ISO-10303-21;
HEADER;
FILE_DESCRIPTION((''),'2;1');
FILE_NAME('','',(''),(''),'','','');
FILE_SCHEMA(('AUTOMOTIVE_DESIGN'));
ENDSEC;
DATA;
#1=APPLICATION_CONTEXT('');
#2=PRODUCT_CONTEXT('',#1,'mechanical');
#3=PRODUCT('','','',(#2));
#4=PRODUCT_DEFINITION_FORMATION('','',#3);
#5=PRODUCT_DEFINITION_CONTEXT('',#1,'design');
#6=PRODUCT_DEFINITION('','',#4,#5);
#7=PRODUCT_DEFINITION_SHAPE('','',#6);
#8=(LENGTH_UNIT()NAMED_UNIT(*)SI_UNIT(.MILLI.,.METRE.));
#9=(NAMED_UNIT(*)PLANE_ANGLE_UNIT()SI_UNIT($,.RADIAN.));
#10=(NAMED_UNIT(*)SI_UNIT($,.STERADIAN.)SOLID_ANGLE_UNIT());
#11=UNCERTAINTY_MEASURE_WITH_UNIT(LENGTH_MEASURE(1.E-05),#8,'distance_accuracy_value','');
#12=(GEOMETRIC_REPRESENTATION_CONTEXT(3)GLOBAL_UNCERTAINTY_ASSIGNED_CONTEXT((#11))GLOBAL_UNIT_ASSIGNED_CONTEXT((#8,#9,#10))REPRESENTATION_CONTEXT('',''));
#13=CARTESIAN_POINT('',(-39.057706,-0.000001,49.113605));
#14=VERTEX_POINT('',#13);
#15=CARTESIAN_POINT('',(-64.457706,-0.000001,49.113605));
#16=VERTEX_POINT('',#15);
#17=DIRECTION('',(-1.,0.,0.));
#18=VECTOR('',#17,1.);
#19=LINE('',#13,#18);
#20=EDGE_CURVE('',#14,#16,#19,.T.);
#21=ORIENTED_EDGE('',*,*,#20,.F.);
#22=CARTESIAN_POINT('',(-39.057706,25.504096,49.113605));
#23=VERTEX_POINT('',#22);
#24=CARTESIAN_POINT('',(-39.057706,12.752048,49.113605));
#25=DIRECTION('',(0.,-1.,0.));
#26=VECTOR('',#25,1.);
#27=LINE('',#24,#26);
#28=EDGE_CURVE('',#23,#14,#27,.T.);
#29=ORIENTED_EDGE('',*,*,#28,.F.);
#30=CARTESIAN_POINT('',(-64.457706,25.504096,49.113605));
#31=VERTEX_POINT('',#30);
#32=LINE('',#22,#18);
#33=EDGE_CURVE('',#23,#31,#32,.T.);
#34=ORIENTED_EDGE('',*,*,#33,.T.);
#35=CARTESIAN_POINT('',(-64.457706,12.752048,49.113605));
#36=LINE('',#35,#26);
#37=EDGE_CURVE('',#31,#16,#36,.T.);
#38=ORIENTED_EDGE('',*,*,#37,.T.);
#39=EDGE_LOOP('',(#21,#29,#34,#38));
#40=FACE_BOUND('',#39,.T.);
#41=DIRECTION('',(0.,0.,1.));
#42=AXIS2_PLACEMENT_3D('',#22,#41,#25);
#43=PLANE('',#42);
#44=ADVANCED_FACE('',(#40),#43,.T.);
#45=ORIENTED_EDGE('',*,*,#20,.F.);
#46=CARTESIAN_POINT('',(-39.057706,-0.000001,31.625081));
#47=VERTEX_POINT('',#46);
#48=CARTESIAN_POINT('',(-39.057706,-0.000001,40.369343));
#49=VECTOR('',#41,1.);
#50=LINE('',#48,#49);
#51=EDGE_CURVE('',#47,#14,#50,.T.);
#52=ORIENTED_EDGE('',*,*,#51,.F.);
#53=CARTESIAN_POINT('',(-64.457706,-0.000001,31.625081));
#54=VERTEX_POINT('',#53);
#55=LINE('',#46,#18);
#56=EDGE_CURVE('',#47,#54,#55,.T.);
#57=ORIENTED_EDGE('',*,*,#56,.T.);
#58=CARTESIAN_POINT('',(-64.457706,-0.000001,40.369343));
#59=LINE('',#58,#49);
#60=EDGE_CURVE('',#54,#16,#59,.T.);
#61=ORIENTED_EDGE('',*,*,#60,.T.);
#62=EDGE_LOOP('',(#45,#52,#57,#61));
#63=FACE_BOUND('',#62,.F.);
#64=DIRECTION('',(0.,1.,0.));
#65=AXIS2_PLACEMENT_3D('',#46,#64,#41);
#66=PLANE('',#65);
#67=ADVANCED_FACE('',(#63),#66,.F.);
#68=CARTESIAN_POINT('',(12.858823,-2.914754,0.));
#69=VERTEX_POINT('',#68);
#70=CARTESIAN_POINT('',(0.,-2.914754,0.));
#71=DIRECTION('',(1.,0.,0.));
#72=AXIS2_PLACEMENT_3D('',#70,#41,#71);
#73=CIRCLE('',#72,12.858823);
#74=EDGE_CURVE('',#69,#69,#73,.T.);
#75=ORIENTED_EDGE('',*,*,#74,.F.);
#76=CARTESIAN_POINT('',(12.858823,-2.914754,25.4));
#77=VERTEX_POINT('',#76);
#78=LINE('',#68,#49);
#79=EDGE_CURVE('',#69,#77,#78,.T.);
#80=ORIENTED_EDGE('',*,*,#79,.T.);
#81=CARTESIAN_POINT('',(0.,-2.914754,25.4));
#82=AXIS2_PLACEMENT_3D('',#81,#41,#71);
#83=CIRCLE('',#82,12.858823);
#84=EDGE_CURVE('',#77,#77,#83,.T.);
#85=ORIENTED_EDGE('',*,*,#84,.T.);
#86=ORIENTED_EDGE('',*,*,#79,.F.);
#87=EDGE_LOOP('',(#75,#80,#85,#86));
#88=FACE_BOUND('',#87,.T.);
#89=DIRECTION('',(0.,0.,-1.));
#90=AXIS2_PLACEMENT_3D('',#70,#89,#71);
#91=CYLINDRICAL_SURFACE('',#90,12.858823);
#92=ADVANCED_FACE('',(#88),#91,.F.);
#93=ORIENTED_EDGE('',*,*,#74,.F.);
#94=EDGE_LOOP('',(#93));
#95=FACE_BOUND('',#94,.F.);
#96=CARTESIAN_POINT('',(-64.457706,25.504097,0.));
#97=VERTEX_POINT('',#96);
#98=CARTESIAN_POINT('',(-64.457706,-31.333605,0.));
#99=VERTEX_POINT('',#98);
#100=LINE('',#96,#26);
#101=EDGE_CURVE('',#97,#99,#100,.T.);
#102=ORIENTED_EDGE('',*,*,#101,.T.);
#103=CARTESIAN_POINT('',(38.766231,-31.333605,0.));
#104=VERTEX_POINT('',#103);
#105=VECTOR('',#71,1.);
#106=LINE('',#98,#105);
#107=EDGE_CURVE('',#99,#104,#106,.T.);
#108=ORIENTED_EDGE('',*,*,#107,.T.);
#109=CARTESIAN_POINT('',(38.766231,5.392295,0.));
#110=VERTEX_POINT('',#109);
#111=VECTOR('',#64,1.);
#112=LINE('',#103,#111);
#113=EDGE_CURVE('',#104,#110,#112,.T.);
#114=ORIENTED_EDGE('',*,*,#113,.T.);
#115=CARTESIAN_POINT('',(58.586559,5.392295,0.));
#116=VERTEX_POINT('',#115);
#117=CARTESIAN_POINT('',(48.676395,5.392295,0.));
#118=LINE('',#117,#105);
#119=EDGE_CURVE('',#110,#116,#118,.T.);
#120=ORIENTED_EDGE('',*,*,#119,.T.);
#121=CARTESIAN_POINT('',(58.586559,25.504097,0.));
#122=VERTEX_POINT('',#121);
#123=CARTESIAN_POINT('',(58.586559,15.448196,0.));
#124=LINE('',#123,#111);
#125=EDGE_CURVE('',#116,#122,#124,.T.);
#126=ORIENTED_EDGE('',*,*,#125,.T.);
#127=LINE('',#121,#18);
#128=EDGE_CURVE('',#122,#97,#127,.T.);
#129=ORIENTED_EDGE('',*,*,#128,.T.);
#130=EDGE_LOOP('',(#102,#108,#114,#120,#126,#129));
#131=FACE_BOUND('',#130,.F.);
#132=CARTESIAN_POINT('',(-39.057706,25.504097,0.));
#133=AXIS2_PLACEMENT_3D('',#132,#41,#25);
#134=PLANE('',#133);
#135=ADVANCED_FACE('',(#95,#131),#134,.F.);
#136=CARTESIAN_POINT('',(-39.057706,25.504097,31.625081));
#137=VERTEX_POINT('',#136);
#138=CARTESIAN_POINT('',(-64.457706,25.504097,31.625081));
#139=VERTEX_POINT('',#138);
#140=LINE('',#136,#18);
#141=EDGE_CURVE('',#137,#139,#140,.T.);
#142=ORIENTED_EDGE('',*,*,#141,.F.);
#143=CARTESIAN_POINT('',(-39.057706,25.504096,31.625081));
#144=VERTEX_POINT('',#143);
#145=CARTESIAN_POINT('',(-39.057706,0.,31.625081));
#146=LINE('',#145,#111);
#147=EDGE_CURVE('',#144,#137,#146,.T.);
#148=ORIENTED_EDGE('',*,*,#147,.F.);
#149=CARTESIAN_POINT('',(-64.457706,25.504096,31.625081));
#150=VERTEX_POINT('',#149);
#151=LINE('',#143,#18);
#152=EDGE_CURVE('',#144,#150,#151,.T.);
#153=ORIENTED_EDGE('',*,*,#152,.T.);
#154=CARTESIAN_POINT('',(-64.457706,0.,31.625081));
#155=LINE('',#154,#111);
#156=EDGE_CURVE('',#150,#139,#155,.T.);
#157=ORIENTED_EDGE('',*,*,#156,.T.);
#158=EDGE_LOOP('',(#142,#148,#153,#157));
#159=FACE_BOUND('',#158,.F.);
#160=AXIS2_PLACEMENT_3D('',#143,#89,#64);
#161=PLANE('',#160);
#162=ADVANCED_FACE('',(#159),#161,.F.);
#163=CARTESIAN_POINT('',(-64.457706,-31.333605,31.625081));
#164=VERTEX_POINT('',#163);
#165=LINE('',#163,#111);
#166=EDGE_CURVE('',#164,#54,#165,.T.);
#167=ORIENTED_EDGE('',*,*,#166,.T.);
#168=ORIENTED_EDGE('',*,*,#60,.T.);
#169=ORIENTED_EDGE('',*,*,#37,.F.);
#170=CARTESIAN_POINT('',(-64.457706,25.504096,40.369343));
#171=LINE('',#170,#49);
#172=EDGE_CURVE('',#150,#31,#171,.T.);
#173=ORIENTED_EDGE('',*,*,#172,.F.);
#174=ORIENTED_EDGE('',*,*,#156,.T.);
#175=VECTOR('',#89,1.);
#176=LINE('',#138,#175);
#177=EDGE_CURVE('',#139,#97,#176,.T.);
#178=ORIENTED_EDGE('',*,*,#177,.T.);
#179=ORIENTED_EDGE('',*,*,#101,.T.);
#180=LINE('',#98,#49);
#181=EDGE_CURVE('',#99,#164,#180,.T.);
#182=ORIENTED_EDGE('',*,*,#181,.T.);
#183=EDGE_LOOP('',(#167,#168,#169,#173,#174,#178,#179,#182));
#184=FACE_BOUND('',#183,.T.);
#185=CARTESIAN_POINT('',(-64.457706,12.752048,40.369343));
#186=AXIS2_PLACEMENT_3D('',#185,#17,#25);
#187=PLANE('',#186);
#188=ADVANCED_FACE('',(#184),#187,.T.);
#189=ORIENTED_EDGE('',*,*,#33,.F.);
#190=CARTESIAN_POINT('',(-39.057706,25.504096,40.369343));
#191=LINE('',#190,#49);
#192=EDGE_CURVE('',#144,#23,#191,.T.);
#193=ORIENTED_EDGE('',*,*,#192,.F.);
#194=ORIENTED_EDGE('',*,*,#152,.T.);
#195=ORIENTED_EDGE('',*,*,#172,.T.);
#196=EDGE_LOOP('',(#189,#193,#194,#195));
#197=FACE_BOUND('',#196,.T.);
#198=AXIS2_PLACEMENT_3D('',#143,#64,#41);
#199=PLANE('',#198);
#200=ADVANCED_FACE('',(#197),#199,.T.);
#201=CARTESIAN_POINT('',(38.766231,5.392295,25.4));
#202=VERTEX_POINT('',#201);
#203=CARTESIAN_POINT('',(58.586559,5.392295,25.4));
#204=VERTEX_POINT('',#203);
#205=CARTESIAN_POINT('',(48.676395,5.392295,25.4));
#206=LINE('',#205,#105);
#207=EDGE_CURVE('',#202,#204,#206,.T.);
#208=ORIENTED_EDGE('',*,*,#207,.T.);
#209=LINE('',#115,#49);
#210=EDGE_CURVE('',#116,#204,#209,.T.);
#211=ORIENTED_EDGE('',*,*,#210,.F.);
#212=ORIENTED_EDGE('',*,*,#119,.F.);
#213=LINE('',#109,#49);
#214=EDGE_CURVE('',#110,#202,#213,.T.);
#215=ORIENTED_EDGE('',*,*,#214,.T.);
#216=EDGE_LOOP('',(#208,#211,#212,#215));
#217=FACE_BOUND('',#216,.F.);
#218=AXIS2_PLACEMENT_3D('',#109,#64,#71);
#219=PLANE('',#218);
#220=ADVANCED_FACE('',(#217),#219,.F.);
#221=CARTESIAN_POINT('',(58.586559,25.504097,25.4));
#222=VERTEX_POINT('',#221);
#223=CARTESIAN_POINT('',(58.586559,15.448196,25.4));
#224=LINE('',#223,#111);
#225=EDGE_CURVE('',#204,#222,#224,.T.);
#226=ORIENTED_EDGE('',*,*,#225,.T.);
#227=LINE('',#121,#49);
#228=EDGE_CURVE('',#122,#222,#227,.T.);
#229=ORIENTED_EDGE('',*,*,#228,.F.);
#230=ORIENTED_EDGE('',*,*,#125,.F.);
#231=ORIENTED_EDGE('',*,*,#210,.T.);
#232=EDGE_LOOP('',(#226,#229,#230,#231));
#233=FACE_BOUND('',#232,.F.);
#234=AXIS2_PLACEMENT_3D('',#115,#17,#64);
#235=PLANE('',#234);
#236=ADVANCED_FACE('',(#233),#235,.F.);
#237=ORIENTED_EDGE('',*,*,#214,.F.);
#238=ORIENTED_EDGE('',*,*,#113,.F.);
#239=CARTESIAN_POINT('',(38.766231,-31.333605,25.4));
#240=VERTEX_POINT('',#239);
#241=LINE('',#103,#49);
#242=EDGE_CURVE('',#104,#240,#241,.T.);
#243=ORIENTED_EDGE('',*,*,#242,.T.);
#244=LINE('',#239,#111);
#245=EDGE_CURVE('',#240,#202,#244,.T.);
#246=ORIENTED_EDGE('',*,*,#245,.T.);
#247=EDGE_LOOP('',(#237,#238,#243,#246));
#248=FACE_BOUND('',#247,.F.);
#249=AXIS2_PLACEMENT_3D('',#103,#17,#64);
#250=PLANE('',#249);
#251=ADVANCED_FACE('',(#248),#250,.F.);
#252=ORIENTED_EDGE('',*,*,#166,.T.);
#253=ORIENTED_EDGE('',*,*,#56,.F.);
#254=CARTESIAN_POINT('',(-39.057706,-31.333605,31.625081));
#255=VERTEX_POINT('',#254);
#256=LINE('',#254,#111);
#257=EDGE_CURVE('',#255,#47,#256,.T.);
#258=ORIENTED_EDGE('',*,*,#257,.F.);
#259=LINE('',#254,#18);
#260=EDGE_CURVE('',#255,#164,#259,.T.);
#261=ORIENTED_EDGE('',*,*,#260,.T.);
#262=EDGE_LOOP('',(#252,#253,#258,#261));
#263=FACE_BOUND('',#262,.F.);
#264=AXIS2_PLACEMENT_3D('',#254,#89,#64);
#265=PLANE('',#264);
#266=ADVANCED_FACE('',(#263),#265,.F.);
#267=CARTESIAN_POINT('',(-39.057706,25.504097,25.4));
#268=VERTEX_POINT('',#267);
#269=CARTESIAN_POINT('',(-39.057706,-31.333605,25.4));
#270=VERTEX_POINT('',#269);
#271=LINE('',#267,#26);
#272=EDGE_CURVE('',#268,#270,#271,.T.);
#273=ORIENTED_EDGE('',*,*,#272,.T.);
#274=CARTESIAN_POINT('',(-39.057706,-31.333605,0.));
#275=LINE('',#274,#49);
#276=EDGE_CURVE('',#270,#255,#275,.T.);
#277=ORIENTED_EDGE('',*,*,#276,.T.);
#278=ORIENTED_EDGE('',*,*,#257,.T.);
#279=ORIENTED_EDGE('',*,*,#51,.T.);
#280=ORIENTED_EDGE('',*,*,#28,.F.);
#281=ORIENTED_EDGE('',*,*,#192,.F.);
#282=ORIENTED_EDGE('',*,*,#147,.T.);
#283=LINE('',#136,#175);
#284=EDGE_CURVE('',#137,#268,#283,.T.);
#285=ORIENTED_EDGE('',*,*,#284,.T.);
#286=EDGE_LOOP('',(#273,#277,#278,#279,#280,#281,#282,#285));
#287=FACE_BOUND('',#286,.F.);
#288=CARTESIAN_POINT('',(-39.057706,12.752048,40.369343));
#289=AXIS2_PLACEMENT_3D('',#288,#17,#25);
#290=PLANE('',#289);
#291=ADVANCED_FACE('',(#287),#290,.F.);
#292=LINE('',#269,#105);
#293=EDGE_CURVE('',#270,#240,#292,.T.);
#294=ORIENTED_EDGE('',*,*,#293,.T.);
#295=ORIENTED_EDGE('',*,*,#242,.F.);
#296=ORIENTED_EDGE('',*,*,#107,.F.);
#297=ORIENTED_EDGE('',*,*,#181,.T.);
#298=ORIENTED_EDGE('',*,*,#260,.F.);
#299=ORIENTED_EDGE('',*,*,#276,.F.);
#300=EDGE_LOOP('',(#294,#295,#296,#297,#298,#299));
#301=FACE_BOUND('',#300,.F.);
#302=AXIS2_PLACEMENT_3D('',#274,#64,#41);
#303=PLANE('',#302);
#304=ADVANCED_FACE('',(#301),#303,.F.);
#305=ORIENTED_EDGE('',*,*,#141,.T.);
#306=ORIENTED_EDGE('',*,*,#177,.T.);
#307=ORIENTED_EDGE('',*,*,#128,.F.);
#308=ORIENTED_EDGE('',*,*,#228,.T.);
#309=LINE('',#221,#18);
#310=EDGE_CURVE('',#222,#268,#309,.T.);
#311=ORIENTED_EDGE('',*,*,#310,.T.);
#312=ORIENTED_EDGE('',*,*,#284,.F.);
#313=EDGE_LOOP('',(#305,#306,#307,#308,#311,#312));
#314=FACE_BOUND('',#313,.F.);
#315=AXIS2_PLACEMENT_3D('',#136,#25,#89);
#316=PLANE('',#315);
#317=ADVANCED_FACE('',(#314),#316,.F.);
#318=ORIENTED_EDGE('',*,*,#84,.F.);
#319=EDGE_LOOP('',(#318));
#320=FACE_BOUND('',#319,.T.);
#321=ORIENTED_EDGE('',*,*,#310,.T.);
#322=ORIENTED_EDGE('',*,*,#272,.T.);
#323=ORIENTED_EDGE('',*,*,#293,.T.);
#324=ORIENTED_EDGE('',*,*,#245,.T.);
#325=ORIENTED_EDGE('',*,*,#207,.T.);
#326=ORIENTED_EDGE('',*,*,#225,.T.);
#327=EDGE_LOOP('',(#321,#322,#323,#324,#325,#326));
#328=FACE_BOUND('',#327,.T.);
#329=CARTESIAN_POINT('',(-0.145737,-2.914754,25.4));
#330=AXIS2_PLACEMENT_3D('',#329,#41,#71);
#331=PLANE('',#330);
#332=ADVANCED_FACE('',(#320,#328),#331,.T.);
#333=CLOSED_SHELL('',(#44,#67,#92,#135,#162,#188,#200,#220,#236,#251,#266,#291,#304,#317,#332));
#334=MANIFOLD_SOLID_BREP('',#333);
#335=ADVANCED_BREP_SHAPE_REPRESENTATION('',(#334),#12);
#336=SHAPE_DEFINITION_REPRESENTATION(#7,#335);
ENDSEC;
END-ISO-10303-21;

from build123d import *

# Parameters (mm, degrees)
F0_R     = 12.858823
F0_W     = 19.820329
F0_H     = 20.111802
F1_DEPTH = 25.4
F2_W     = 25.504097
F2_H     = 17.488524
F3_DEPTH = 25.4


with BuildPart() as f1:
    # F0 (on Top) → F1 (new body)
    with BuildSketch(Plane.XY):
        Polygon((38.766231, 25.504097), (-39.057706, 25.504097), (-39.057706, -31.333605), (38.766231, -31.333605), (38.766231, 5.392295), align=None)
        with Locations((0, -2.914754)):
            Circle(F0_R, mode=Mode.SUBTRACT)
        with Locations((48.676395, 15.448196)):
            Rectangle(F0_W, F0_H)
    extrude(amount=F1_DEPTH)

    # F2 (on face) → F3 (join)
    with BuildSketch(Plane(origin=(-39.057706, 0, 0), x_dir=(0, -1, 0), z_dir=(-1, 0, 0))):
        with Locations((-12.752048, 40.369343)):
            Rectangle(F2_W, F2_H)
        Polygon((0, 31.625081), (-25.504097, 31.625081), (-25.504097, 0), (31.333605, 0), (31.333605, 31.625081), align=None)
    extrude(amount=F3_DEPTH)


solid = f1.part
